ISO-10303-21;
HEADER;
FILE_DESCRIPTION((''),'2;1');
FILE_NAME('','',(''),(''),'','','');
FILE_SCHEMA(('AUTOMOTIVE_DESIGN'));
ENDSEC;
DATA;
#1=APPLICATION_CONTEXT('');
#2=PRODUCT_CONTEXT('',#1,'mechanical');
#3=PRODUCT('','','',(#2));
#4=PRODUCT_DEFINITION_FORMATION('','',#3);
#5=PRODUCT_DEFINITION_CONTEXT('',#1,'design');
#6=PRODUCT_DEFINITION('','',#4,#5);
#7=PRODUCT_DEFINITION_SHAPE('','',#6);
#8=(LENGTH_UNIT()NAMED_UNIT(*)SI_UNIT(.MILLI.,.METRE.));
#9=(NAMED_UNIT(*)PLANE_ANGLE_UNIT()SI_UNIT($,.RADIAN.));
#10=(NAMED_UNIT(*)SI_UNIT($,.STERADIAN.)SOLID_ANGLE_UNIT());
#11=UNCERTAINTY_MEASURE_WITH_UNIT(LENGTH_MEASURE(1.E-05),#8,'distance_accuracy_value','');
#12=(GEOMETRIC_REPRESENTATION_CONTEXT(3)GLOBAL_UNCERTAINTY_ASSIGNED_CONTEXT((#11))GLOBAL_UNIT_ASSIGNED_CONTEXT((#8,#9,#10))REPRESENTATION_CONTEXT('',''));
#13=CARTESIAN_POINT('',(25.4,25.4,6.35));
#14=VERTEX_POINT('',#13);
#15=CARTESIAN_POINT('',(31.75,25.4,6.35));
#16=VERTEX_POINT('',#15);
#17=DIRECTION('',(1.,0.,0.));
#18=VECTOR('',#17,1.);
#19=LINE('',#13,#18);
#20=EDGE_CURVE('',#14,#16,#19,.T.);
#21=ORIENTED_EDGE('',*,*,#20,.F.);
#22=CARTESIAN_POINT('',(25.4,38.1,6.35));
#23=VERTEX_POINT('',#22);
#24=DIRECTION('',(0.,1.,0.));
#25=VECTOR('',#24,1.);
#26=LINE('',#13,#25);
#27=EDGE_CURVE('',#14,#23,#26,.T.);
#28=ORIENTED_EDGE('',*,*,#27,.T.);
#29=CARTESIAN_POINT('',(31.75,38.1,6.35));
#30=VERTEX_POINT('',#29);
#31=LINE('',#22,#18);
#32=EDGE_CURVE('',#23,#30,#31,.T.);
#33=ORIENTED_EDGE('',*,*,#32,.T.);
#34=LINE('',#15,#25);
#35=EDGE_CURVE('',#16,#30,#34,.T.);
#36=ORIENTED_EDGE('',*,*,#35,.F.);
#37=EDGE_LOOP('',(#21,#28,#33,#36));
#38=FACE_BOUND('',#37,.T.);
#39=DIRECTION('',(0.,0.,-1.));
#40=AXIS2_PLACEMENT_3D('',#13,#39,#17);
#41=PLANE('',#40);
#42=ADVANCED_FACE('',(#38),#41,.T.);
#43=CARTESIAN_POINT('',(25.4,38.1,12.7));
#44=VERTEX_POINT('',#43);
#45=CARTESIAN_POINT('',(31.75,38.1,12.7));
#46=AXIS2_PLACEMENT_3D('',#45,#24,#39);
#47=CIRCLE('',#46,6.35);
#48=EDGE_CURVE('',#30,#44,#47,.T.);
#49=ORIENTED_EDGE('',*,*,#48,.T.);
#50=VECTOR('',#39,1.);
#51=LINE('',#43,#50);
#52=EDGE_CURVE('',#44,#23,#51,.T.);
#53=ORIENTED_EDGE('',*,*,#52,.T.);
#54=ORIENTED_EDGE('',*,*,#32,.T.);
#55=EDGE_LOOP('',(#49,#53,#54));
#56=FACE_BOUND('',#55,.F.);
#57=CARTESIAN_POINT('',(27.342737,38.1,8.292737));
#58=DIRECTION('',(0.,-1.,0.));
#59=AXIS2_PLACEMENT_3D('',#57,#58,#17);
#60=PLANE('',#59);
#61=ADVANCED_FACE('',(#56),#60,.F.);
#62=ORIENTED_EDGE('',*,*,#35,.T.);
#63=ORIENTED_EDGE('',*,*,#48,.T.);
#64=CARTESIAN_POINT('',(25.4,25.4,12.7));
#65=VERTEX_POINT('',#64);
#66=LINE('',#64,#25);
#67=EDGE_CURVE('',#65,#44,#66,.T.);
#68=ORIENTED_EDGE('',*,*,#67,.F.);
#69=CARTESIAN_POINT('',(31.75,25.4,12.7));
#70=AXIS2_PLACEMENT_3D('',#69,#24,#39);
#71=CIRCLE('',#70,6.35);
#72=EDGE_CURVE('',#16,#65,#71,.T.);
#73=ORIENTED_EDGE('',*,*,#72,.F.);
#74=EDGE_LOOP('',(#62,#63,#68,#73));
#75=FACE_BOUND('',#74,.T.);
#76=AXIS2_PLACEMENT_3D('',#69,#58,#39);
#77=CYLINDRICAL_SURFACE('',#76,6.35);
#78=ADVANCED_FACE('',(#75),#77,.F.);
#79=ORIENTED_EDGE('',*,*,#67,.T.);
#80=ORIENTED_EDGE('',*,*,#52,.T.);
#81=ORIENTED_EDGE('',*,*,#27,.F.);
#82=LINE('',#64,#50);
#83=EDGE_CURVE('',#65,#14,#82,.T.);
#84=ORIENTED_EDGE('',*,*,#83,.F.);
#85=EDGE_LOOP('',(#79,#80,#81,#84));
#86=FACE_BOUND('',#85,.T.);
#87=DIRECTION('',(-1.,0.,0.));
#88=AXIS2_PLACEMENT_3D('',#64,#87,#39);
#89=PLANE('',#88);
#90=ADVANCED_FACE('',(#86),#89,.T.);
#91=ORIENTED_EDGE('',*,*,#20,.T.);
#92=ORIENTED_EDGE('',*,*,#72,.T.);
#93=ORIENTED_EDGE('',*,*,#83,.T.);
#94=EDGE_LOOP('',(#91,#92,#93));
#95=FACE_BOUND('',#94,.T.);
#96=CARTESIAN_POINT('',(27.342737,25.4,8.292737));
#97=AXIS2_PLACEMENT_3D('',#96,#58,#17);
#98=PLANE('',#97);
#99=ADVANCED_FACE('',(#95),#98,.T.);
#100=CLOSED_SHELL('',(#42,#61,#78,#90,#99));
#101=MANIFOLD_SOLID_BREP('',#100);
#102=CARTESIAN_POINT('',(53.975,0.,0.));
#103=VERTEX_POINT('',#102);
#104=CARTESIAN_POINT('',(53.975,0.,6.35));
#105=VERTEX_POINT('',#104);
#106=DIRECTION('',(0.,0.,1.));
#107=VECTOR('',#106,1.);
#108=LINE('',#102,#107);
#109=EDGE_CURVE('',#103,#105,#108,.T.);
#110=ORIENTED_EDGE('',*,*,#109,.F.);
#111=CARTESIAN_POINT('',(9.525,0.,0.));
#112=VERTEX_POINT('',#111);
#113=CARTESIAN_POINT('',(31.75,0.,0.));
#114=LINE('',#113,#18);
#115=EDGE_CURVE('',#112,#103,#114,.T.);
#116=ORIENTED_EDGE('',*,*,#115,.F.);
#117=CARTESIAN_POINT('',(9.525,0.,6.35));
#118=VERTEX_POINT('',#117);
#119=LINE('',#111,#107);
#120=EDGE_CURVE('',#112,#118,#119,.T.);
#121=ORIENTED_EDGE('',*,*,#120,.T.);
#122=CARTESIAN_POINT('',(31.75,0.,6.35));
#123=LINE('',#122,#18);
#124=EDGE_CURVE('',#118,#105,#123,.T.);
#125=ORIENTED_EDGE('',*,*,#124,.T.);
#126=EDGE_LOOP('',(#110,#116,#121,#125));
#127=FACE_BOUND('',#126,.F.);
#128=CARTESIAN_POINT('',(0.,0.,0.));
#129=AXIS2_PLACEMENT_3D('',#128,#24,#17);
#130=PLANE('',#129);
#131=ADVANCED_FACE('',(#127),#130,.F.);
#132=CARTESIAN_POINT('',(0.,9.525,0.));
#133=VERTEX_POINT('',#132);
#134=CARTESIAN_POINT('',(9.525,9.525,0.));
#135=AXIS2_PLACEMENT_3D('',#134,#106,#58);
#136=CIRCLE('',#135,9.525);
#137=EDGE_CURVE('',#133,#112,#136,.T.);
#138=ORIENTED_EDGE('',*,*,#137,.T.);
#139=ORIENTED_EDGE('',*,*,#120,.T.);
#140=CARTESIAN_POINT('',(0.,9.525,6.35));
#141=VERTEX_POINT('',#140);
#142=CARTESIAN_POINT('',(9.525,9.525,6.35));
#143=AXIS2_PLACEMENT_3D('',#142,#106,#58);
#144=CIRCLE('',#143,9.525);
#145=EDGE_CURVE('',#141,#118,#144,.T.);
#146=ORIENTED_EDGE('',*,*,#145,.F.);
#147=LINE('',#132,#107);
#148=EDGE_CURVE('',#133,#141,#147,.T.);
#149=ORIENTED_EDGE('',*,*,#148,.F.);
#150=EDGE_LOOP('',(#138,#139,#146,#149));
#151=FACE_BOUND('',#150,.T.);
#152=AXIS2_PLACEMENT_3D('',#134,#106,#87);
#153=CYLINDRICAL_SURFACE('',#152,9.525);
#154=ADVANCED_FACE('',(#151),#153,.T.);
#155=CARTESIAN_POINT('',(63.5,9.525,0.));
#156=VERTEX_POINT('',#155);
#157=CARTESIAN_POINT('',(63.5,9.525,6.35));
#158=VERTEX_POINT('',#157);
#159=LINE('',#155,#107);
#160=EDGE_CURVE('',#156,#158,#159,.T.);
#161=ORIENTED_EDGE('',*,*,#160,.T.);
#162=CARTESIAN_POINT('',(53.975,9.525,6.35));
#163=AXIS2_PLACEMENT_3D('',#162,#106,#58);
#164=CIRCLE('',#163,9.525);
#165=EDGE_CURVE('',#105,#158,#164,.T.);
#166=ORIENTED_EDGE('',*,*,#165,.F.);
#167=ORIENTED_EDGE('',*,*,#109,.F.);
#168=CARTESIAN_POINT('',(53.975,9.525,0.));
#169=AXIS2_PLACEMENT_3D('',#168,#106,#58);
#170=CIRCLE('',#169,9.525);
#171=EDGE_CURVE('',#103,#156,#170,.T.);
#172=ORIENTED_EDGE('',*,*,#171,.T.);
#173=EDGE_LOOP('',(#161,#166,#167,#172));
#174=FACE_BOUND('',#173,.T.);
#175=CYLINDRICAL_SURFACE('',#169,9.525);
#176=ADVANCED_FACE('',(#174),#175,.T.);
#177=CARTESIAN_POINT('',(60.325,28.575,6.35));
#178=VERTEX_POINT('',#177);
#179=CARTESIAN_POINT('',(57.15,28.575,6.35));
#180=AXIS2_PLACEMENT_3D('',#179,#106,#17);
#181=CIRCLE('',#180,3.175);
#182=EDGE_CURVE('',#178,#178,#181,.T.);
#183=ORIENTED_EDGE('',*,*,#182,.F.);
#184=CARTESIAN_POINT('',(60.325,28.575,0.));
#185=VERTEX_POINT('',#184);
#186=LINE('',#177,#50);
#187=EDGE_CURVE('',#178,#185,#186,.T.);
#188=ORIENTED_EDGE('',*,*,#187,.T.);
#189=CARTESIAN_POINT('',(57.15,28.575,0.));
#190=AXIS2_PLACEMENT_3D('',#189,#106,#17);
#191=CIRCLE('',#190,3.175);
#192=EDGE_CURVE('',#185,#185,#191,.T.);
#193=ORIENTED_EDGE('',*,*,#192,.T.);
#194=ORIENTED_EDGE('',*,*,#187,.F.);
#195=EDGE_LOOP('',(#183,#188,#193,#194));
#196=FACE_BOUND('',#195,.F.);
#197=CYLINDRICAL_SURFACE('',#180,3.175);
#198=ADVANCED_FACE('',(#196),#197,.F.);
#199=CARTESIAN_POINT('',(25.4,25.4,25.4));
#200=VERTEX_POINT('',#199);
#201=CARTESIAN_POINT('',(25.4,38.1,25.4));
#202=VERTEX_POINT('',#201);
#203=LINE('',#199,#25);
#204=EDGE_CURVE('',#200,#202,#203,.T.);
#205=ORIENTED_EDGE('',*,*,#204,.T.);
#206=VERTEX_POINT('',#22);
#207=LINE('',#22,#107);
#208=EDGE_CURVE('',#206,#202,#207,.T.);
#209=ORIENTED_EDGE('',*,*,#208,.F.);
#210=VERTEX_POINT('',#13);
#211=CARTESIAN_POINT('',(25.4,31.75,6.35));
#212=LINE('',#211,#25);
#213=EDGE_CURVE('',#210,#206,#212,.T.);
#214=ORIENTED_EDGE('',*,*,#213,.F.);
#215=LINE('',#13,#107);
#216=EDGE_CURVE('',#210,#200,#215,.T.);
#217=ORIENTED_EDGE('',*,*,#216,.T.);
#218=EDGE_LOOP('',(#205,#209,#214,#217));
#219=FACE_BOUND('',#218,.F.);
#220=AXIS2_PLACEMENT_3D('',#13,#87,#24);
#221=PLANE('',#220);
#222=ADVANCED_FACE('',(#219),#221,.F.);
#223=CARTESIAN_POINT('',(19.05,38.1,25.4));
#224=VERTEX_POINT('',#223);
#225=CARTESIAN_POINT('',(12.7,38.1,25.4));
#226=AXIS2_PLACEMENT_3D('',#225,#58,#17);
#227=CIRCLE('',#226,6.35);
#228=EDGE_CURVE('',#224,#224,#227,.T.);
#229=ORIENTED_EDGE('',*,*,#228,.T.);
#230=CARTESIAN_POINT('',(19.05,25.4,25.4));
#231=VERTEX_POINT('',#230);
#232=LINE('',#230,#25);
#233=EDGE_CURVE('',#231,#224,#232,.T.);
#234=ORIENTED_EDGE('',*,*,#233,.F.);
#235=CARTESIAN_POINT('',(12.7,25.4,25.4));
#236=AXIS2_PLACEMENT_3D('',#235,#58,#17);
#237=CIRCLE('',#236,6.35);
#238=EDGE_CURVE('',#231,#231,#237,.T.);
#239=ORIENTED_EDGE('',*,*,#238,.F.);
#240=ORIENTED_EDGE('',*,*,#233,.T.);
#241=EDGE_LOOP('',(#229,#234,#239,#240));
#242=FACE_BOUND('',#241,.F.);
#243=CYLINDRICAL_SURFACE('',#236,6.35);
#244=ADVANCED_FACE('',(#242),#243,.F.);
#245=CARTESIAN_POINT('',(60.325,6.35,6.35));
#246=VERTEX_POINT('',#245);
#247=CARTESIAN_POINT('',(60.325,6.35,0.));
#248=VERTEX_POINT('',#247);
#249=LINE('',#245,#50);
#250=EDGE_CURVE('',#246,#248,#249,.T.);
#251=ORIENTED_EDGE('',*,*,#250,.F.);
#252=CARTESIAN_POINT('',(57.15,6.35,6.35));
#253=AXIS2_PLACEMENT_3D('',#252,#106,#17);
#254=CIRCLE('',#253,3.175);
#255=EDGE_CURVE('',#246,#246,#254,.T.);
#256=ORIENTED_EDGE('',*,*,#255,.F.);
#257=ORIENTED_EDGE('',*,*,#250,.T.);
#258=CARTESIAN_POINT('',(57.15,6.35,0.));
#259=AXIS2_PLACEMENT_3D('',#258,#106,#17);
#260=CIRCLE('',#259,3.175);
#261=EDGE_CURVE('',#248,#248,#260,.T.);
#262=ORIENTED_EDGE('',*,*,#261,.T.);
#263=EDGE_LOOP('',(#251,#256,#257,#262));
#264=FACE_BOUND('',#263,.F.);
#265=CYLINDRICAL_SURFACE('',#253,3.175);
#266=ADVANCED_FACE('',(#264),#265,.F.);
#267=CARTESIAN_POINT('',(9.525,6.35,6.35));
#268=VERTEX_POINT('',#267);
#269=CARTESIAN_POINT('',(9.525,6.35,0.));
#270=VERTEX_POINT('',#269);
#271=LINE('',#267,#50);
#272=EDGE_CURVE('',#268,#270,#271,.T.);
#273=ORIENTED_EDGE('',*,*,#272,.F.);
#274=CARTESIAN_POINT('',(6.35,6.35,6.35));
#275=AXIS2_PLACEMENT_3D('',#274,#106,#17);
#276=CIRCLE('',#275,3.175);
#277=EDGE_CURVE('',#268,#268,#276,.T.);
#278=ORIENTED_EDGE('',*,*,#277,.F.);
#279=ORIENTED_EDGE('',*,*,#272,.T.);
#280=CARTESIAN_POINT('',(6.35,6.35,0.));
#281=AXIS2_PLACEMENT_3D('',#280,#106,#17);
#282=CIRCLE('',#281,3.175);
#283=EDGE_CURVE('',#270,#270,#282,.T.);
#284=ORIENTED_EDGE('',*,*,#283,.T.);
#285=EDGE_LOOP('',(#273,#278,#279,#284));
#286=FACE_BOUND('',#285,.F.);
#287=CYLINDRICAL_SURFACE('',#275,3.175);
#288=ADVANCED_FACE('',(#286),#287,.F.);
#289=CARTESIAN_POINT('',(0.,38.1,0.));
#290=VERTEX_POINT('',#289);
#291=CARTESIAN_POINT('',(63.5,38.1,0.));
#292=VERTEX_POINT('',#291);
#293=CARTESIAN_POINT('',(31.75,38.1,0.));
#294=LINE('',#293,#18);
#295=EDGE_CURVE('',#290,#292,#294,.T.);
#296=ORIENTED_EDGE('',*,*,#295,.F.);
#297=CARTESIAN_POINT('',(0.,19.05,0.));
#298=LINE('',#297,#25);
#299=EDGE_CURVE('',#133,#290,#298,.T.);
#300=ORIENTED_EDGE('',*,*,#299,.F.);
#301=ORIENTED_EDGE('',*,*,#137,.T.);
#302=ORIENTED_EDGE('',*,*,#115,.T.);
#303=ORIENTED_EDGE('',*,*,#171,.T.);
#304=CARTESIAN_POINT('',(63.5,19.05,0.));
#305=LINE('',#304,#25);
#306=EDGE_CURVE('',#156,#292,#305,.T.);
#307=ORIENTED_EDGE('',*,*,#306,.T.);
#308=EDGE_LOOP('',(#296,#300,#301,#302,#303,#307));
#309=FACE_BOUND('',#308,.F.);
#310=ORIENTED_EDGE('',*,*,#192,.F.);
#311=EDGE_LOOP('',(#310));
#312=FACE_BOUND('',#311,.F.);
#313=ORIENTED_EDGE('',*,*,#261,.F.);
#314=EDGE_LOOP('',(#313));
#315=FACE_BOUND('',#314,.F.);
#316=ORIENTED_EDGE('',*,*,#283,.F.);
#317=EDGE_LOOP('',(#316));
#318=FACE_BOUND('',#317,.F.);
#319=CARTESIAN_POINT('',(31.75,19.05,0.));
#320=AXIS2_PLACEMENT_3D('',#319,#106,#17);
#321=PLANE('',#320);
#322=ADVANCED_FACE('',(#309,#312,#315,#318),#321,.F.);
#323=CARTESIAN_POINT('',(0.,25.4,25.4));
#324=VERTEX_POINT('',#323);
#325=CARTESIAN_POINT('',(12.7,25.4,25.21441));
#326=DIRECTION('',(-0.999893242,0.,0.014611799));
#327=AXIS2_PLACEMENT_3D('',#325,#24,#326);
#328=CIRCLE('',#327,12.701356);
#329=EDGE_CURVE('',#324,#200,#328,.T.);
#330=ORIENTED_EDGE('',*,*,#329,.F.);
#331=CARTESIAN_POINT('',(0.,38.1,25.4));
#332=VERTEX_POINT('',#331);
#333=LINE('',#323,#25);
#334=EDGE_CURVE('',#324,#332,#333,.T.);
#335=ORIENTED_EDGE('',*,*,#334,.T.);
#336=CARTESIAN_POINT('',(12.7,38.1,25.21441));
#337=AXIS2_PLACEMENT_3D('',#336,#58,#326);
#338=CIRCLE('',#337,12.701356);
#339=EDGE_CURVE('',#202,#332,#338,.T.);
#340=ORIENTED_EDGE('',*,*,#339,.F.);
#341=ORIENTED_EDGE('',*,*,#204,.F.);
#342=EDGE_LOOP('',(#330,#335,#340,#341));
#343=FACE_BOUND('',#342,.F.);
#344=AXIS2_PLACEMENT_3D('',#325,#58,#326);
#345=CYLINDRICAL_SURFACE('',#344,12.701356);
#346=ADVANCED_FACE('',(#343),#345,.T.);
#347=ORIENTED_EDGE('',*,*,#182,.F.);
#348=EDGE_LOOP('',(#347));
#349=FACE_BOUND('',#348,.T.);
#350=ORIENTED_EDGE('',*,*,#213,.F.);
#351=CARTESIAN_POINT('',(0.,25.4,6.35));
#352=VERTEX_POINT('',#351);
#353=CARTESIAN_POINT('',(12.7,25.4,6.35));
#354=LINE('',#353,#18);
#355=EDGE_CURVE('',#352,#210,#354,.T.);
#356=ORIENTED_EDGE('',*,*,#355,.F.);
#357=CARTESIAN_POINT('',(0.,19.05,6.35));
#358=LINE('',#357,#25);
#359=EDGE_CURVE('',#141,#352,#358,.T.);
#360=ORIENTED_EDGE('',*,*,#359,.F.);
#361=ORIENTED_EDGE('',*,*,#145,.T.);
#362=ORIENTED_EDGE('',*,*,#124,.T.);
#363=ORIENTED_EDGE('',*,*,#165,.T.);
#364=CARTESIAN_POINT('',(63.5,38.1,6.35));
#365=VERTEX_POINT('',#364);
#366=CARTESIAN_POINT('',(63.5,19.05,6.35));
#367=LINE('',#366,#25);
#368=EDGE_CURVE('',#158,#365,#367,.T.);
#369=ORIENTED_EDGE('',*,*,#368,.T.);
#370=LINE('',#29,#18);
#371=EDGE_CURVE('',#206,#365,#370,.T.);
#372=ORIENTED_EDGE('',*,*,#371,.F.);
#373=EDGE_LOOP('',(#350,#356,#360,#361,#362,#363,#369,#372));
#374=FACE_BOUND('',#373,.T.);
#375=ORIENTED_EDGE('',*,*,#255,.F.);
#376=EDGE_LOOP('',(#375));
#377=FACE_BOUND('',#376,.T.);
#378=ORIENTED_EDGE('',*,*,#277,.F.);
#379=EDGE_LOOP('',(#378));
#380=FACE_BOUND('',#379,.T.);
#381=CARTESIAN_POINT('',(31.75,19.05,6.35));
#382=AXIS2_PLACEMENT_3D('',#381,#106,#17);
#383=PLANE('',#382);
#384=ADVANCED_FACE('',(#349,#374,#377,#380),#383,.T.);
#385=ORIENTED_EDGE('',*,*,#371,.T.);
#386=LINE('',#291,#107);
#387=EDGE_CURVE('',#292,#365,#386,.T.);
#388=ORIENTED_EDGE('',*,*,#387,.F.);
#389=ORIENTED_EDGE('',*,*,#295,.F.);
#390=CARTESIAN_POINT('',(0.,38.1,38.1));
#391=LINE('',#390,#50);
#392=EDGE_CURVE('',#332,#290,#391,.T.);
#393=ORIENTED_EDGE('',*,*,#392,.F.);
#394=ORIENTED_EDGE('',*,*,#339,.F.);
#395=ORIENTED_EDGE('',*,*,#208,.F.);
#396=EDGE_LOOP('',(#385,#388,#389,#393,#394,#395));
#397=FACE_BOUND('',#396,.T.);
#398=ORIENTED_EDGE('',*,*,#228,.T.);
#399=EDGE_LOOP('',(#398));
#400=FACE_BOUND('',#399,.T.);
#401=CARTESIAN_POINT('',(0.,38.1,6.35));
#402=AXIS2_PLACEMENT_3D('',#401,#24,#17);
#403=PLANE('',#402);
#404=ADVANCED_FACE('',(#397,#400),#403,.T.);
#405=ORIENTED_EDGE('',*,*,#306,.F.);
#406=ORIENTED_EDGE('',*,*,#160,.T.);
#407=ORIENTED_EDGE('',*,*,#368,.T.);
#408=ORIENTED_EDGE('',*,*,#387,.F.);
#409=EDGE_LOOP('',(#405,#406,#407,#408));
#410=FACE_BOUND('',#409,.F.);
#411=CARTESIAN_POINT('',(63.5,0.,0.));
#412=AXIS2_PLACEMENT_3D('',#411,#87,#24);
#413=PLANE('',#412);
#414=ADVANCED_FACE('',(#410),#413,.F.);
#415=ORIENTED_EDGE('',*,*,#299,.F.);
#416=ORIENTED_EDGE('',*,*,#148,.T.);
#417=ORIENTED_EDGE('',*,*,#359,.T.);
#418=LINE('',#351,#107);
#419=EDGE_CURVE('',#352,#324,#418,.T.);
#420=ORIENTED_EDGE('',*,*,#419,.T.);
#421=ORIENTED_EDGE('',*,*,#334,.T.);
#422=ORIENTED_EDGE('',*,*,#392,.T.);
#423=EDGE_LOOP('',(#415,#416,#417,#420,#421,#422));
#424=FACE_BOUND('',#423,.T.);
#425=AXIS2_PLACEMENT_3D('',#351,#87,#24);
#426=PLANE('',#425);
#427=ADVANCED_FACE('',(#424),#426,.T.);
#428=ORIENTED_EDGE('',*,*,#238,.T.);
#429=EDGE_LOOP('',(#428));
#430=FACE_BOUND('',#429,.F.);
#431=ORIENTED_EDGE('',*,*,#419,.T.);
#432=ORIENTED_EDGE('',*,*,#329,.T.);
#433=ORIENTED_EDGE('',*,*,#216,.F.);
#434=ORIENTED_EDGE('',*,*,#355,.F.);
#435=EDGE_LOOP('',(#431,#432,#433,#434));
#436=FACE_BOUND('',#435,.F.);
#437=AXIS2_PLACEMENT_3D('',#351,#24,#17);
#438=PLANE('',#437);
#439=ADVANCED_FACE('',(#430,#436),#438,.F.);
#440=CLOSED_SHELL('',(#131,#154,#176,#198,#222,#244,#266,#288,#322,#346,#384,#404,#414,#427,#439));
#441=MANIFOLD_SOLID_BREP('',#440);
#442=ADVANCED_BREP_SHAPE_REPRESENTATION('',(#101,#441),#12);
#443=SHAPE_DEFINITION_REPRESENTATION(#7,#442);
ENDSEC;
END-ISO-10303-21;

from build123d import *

# Parameters (mm, degrees)
F0_W     = 63.5
F0_H     = 38.1
F1_DEPTH = 6.35
F2_R     = 3.175
F3_DEPTH = 25.4
F4_W     = 25.4
F4_H     = 12.7
F5_DEPTH = 31.75
F6_R     = 6.35
F7_DEPTH = 25.4
F9_DEPTH = 12.7
F10_R    = 9.525


with BuildPart() as f1:
    # F0 (on Top) → F1 (new body)
    with BuildSketch(Plane.XY):
        with Locations((31.75, 19.05)):
            Rectangle(F0_W, F0_H)
    extrude(amount=F1_DEPTH)

    # F2 (on face) → F3 (cut)
    with BuildSketch(Plane.XY.offset(6.35)):
        with Locations((6.35, 6.35)):
            Circle(F2_R)
        with Locations((57.15, 6.35)):
            Circle(F2_R)
        with Locations((57.15, 28.575)):
            Circle(F2_R)
    extrude(amount=-F3_DEPTH, mode=Mode.SUBTRACT)

    # F4 (on face) → F5 (join)
    with BuildSketch(Plane.XY.offset(6.35)):
        with Locations((12.7, 31.75)):
            Rectangle(F4_W, F4_H)
    extrude(amount=F5_DEPTH)

    # F6 (on face) → F7 (cut)
    with BuildSketch(Plane.XZ.offset(-25.4)):
        with Locations((12.7, 25.4)):
            Circle(F6_R)
        with BuildLine():
            ThreePointArc((0, 25.4), (12.7, 37.9157663144), (25.4, 25.4))
            Line((25.4, 25.4), (25.4, 38.1))
            Line((25.4, 38.1), (0, 38.1))
            Line((0, 38.1), (0, 25.4))
        make_face()
    extrude(amount=-F7_DEPTH, mode=Mode.SUBTRACT)

    # F10
    f10_edges = [f1.edges().sort_by_distance(p)[0] for p in [
        (63.5, 0, 3.175),
        (0, 0, 3.175),
    ]]
    fillet(f10_edges, radius=F10_R)


with BuildPart() as f9:
    # F8 (on face) → F9 (new body)
    with BuildSketch(Plane.XZ.offset(-25.4)):
        with BuildLine():
            Line((25.4, 6.35), (31.75, 6.35))
            ThreePointArc((31.75, 6.35), (27.2598719395, 8.2098719395), (25.4, 12.7))
            Line((25.4, 12.7), (25.4, 6.35))
        make_face()
    extrude(amount=-F9_DEPTH)


solid = Compound([f1.part, f9.part])
